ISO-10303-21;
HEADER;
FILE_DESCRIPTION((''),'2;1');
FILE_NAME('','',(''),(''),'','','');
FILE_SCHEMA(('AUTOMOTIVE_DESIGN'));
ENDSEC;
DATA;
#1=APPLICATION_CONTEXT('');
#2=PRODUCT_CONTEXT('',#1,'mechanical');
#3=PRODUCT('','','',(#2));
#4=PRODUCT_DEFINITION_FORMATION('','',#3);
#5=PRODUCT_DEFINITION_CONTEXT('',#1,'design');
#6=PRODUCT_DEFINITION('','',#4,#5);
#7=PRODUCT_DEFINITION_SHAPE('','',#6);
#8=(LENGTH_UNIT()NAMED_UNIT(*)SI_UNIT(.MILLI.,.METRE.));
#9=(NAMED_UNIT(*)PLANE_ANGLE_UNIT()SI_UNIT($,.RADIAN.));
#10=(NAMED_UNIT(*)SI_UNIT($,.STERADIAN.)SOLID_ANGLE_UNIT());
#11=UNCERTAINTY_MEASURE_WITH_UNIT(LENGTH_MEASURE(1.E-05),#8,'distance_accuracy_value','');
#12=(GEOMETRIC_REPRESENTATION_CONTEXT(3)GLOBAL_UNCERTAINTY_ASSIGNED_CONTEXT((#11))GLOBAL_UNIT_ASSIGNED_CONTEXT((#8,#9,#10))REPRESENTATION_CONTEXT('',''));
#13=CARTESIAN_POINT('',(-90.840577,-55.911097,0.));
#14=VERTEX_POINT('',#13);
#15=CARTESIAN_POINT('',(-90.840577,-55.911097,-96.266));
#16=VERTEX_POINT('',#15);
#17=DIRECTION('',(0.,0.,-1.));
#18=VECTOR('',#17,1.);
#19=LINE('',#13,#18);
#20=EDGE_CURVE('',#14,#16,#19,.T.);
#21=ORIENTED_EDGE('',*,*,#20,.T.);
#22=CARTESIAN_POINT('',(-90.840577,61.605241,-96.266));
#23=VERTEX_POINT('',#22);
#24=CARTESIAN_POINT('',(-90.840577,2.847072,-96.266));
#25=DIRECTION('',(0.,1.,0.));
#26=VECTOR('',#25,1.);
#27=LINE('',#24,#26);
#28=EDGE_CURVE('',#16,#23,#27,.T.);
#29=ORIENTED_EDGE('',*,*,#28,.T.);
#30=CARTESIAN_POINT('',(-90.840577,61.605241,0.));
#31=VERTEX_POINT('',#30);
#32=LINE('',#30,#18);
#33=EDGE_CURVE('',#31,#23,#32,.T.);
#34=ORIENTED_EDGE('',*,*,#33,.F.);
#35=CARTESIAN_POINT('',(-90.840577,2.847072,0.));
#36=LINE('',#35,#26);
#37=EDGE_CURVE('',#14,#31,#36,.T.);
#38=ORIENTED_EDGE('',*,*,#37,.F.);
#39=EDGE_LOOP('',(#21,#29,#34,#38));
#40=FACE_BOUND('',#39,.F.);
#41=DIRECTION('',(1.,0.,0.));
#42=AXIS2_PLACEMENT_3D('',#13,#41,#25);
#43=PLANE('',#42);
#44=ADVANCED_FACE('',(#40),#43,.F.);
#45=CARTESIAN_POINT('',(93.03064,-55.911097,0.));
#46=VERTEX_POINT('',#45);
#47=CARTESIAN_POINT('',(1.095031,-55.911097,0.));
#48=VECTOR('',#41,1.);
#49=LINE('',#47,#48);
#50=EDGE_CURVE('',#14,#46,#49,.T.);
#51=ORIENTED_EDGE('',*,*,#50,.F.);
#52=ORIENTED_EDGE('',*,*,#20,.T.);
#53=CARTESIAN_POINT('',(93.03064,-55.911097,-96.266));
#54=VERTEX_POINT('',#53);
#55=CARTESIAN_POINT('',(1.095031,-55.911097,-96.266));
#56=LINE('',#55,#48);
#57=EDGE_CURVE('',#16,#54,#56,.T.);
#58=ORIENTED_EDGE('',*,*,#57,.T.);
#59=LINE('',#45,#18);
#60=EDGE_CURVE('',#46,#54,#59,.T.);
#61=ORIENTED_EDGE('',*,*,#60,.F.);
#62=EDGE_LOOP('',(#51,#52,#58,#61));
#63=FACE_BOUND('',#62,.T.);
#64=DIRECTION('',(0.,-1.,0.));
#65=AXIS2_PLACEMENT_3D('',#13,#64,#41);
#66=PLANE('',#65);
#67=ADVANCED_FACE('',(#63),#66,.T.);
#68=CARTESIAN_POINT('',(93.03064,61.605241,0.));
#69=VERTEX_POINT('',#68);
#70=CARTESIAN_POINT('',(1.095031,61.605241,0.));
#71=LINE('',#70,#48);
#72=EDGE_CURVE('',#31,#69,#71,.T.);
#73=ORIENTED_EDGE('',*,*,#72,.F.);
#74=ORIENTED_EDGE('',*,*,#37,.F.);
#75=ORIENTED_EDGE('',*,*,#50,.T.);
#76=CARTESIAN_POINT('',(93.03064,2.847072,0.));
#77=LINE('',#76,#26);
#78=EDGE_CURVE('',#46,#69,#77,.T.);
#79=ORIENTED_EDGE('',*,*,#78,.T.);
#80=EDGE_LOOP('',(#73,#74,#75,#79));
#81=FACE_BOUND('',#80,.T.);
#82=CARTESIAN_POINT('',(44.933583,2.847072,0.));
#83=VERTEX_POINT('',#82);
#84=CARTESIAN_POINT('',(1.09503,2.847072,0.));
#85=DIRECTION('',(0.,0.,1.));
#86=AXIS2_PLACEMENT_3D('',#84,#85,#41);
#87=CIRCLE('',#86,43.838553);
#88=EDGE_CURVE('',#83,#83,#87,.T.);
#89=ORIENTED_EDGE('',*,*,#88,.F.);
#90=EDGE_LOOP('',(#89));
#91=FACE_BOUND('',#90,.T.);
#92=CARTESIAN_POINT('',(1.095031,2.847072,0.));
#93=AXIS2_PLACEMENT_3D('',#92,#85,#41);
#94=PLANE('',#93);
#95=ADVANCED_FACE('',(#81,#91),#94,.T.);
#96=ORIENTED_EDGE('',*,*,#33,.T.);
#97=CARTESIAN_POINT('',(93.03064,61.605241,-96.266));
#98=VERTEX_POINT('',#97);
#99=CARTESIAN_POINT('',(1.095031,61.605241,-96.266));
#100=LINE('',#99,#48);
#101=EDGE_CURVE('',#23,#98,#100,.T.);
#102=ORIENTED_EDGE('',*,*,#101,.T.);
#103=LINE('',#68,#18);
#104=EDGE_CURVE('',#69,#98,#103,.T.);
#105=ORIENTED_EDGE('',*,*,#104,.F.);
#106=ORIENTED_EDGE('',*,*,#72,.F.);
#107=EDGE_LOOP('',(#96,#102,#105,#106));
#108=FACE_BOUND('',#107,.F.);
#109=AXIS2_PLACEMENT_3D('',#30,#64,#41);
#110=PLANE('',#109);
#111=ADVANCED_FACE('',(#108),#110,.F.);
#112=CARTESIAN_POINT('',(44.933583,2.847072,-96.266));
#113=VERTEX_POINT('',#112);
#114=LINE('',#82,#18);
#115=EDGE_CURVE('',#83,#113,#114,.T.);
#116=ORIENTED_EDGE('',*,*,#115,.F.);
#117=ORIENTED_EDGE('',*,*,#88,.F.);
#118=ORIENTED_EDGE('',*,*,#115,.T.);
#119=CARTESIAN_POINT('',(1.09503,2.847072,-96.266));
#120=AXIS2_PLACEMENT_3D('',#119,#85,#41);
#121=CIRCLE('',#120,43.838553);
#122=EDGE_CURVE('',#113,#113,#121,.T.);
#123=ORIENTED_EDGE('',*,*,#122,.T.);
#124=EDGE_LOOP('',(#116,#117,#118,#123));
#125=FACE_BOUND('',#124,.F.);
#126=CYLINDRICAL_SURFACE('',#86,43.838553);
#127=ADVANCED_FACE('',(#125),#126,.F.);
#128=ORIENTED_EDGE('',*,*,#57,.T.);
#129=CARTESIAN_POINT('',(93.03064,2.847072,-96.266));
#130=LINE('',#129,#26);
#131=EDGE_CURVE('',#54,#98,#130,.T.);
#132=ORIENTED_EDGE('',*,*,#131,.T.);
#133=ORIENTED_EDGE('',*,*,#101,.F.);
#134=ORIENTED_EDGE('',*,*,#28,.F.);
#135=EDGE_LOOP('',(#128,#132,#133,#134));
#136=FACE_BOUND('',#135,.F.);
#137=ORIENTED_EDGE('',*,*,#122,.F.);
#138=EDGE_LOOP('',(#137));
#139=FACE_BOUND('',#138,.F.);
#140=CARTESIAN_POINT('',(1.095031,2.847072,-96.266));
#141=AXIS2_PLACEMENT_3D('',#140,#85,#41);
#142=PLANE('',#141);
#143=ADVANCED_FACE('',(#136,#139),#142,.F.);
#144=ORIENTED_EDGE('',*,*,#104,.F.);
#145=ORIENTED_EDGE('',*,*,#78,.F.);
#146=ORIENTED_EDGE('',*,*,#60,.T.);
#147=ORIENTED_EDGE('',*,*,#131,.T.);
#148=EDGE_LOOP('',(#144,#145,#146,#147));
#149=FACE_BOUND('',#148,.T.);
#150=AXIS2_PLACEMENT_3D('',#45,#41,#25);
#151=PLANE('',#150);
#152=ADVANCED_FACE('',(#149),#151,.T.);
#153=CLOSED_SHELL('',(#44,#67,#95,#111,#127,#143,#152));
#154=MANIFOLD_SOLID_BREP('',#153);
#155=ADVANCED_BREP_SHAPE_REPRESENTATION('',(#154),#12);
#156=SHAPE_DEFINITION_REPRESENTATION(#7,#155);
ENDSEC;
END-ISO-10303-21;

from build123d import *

# Parameters (mm, degrees)
F0_W     = 183.871217
F0_H     = 117.516338
F0_R     = 43.838553
F1_DEPTH = 96.266


with BuildPart() as f1:
    # F0 (on Top) → F1 (new body)
    with BuildSketch(Plane.XY):
        with Locations((1.095031, 2.847072)):
            Rectangle(F0_W, F0_H)
        with Locations((1.09503, 2.847072)):
            Circle(F0_R, mode=Mode.SUBTRACT)
    extrude(amount=-F1_DEPTH)


solid = f1.part
